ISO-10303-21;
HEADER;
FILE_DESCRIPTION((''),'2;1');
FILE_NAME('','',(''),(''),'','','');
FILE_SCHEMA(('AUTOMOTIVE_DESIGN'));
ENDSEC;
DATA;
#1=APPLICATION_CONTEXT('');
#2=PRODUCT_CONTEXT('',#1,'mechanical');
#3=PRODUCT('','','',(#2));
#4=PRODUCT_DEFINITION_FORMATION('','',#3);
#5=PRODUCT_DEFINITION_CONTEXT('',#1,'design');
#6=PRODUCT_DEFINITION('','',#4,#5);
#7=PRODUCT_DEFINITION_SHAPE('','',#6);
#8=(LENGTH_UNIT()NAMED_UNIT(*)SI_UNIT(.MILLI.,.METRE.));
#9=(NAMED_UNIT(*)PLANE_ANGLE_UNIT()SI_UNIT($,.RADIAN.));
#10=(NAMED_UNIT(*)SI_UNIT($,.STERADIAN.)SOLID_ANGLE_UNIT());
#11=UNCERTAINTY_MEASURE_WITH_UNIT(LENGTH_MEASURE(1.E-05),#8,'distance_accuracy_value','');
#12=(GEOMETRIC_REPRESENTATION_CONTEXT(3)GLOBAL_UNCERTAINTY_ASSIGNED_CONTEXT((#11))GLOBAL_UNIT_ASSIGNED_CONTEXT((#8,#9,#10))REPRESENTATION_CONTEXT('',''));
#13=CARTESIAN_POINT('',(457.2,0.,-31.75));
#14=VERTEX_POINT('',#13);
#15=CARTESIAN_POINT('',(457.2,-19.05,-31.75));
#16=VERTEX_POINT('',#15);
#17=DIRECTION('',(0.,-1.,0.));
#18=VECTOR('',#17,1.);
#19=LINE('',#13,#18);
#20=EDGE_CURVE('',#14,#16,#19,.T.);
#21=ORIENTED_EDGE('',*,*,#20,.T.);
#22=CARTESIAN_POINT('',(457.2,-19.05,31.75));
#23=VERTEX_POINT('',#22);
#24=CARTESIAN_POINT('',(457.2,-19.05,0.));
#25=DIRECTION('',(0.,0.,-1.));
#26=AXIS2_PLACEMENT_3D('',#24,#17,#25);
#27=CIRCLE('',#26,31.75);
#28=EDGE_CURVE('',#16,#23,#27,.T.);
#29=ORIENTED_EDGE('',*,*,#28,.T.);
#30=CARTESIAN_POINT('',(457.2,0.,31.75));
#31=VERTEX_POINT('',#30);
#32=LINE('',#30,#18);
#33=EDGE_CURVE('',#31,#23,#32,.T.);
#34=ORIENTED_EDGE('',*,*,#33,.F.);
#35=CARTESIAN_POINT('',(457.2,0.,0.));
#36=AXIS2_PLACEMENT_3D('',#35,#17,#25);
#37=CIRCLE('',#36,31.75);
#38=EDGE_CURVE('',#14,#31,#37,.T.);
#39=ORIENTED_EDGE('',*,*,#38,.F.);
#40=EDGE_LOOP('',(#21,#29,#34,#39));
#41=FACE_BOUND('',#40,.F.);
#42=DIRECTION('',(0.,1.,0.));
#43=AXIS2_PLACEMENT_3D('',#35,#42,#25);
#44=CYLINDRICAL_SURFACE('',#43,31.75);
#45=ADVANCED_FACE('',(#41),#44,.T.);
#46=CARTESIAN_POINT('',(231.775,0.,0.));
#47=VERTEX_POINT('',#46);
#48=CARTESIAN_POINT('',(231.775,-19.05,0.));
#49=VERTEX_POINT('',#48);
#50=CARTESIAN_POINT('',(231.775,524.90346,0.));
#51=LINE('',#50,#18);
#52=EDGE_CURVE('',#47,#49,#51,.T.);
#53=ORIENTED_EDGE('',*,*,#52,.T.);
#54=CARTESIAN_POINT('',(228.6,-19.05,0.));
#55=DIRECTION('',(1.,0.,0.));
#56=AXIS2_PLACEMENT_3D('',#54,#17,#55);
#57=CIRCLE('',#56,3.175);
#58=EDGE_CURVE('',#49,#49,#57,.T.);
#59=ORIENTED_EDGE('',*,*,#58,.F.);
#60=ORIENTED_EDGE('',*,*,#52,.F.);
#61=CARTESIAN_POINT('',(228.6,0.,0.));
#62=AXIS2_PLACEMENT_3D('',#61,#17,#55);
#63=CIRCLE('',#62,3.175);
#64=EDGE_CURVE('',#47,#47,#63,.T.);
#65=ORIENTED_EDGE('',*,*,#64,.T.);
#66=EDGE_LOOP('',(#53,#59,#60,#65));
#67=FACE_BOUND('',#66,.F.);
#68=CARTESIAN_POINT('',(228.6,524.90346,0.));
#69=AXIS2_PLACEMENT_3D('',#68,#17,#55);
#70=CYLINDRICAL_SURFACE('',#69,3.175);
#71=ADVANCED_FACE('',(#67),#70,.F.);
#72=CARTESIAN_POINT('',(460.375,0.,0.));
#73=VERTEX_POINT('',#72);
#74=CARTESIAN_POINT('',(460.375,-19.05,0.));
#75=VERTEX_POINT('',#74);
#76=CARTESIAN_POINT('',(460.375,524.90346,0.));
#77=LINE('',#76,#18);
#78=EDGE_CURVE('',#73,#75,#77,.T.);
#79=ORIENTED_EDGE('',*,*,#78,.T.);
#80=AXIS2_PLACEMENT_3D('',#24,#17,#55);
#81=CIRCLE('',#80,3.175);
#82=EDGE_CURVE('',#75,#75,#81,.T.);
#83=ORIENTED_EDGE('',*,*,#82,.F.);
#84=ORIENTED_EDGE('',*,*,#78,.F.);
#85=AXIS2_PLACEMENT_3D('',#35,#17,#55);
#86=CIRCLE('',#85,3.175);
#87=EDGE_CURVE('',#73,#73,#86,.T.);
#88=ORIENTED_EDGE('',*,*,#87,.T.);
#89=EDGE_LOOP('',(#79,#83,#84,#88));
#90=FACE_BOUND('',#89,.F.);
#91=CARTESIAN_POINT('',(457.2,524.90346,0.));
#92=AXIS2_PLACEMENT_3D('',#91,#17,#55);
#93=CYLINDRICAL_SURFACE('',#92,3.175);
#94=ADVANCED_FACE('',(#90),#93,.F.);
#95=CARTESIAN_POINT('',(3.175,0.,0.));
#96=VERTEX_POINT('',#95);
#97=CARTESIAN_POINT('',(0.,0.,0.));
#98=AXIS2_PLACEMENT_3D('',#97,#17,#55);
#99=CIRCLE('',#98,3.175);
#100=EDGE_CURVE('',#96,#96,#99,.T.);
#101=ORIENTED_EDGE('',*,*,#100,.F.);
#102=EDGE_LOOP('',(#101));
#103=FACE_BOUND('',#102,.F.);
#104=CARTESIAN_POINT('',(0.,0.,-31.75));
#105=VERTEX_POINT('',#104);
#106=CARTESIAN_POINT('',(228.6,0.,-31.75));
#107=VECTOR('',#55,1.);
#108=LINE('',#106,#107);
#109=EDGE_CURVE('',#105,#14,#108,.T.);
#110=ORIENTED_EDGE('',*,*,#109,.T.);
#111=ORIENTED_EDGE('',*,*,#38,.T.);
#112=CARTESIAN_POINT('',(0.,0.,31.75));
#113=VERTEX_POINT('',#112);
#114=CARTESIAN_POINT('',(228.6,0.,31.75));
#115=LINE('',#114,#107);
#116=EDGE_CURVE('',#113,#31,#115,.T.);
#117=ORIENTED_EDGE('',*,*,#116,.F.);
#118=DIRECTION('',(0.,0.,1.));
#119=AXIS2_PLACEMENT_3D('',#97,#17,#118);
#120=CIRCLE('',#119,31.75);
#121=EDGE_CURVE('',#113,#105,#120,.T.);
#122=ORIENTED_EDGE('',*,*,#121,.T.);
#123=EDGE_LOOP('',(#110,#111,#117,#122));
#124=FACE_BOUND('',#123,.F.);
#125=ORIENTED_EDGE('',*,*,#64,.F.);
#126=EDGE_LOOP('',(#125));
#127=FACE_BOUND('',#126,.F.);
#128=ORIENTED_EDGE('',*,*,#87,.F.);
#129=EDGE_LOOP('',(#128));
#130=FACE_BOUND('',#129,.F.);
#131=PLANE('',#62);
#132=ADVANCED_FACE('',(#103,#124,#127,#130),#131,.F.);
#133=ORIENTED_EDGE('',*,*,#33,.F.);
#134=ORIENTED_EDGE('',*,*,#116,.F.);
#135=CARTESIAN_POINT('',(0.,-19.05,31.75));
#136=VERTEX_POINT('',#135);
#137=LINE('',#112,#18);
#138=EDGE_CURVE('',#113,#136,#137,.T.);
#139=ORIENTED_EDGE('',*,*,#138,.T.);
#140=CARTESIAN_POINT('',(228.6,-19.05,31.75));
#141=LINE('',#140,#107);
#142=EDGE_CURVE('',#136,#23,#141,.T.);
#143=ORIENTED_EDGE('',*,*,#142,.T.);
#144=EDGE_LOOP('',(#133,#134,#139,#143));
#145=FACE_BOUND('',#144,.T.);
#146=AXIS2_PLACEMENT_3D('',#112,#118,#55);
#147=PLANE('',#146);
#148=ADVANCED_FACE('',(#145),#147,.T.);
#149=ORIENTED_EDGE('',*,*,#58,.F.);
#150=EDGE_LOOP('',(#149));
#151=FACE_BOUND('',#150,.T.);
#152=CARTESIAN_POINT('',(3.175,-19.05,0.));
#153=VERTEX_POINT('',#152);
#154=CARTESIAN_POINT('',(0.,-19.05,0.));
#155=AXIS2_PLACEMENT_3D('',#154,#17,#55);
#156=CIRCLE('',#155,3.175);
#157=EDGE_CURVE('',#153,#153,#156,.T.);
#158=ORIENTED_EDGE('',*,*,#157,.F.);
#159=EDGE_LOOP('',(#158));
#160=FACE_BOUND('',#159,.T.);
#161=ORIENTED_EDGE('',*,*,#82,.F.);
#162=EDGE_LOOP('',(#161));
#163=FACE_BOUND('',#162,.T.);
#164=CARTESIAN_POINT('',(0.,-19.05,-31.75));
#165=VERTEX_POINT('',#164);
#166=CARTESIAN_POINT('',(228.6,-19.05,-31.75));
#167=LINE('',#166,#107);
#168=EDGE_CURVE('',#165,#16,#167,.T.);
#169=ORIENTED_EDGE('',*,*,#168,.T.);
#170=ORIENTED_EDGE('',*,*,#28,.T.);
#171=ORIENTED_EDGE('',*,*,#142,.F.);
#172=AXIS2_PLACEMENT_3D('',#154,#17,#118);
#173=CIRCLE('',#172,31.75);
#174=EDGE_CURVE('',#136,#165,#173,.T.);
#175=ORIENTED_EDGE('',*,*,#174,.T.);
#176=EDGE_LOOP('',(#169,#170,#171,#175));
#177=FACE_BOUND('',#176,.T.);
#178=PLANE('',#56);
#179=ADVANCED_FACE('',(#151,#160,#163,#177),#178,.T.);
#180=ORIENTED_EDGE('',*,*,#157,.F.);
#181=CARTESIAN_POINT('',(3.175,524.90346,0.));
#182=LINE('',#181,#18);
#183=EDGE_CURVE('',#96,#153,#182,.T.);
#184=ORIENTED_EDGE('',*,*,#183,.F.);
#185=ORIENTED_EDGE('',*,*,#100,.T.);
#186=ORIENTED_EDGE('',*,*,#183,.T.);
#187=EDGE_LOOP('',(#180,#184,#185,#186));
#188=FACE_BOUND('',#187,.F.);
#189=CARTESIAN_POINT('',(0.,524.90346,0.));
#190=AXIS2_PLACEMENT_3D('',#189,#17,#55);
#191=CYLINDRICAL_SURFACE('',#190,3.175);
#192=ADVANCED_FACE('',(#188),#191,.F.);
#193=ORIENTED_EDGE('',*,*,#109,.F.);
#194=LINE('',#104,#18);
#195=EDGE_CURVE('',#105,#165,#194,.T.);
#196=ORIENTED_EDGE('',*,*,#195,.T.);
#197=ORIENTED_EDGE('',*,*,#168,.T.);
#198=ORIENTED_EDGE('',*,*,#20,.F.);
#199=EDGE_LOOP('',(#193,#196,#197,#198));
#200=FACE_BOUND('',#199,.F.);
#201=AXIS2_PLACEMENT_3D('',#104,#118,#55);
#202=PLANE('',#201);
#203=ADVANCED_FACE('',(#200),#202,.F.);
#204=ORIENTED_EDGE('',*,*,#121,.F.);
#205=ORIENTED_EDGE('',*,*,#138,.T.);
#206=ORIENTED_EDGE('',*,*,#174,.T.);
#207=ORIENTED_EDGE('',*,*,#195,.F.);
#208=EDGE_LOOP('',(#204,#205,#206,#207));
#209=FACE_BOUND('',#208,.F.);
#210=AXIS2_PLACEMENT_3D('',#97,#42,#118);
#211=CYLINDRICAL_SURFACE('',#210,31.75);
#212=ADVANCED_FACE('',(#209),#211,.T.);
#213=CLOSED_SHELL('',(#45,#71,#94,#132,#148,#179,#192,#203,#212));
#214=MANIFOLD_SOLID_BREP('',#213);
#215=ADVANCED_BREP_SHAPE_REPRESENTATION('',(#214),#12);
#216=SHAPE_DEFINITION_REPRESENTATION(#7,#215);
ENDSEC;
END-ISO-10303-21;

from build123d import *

# Parameters (mm, degrees)
F0_W     = 457.2
F0_H     = 63.5
F1_DEPTH = 19.05
F3_D     = 6.35


with BuildPart() as f1:
    # F0 (on Front) → F1 (new body)
    with BuildSketch(Plane.XZ):
        with Locations((228.6, 0)):
            Rectangle(F0_W, F0_H)
        with BuildLine():
            ThreePointArc((0, 31.75), (-31.75, 0), (0, -31.75))
            Line((0, -31.75), (0, 31.75))
        make_face()
        with BuildLine():
            Line((457.2, 31.75), (457.2, -31.75))
            ThreePointArc((457.2, -31.75), (488.95, 0), (457.2, 31.75))
        make_face()
    extrude(amount=F1_DEPTH)

    # F3 (through all)
    with Locations(Plane(origin=(0, 0, 0), x_dir=(-1, 0, 0), z_dir=(0, 1, 0))):
        with Locations((-457.2, 0), (0, 0), (-228.6, 0)):
            Hole(F3_D / 2)


solid = f1.part
